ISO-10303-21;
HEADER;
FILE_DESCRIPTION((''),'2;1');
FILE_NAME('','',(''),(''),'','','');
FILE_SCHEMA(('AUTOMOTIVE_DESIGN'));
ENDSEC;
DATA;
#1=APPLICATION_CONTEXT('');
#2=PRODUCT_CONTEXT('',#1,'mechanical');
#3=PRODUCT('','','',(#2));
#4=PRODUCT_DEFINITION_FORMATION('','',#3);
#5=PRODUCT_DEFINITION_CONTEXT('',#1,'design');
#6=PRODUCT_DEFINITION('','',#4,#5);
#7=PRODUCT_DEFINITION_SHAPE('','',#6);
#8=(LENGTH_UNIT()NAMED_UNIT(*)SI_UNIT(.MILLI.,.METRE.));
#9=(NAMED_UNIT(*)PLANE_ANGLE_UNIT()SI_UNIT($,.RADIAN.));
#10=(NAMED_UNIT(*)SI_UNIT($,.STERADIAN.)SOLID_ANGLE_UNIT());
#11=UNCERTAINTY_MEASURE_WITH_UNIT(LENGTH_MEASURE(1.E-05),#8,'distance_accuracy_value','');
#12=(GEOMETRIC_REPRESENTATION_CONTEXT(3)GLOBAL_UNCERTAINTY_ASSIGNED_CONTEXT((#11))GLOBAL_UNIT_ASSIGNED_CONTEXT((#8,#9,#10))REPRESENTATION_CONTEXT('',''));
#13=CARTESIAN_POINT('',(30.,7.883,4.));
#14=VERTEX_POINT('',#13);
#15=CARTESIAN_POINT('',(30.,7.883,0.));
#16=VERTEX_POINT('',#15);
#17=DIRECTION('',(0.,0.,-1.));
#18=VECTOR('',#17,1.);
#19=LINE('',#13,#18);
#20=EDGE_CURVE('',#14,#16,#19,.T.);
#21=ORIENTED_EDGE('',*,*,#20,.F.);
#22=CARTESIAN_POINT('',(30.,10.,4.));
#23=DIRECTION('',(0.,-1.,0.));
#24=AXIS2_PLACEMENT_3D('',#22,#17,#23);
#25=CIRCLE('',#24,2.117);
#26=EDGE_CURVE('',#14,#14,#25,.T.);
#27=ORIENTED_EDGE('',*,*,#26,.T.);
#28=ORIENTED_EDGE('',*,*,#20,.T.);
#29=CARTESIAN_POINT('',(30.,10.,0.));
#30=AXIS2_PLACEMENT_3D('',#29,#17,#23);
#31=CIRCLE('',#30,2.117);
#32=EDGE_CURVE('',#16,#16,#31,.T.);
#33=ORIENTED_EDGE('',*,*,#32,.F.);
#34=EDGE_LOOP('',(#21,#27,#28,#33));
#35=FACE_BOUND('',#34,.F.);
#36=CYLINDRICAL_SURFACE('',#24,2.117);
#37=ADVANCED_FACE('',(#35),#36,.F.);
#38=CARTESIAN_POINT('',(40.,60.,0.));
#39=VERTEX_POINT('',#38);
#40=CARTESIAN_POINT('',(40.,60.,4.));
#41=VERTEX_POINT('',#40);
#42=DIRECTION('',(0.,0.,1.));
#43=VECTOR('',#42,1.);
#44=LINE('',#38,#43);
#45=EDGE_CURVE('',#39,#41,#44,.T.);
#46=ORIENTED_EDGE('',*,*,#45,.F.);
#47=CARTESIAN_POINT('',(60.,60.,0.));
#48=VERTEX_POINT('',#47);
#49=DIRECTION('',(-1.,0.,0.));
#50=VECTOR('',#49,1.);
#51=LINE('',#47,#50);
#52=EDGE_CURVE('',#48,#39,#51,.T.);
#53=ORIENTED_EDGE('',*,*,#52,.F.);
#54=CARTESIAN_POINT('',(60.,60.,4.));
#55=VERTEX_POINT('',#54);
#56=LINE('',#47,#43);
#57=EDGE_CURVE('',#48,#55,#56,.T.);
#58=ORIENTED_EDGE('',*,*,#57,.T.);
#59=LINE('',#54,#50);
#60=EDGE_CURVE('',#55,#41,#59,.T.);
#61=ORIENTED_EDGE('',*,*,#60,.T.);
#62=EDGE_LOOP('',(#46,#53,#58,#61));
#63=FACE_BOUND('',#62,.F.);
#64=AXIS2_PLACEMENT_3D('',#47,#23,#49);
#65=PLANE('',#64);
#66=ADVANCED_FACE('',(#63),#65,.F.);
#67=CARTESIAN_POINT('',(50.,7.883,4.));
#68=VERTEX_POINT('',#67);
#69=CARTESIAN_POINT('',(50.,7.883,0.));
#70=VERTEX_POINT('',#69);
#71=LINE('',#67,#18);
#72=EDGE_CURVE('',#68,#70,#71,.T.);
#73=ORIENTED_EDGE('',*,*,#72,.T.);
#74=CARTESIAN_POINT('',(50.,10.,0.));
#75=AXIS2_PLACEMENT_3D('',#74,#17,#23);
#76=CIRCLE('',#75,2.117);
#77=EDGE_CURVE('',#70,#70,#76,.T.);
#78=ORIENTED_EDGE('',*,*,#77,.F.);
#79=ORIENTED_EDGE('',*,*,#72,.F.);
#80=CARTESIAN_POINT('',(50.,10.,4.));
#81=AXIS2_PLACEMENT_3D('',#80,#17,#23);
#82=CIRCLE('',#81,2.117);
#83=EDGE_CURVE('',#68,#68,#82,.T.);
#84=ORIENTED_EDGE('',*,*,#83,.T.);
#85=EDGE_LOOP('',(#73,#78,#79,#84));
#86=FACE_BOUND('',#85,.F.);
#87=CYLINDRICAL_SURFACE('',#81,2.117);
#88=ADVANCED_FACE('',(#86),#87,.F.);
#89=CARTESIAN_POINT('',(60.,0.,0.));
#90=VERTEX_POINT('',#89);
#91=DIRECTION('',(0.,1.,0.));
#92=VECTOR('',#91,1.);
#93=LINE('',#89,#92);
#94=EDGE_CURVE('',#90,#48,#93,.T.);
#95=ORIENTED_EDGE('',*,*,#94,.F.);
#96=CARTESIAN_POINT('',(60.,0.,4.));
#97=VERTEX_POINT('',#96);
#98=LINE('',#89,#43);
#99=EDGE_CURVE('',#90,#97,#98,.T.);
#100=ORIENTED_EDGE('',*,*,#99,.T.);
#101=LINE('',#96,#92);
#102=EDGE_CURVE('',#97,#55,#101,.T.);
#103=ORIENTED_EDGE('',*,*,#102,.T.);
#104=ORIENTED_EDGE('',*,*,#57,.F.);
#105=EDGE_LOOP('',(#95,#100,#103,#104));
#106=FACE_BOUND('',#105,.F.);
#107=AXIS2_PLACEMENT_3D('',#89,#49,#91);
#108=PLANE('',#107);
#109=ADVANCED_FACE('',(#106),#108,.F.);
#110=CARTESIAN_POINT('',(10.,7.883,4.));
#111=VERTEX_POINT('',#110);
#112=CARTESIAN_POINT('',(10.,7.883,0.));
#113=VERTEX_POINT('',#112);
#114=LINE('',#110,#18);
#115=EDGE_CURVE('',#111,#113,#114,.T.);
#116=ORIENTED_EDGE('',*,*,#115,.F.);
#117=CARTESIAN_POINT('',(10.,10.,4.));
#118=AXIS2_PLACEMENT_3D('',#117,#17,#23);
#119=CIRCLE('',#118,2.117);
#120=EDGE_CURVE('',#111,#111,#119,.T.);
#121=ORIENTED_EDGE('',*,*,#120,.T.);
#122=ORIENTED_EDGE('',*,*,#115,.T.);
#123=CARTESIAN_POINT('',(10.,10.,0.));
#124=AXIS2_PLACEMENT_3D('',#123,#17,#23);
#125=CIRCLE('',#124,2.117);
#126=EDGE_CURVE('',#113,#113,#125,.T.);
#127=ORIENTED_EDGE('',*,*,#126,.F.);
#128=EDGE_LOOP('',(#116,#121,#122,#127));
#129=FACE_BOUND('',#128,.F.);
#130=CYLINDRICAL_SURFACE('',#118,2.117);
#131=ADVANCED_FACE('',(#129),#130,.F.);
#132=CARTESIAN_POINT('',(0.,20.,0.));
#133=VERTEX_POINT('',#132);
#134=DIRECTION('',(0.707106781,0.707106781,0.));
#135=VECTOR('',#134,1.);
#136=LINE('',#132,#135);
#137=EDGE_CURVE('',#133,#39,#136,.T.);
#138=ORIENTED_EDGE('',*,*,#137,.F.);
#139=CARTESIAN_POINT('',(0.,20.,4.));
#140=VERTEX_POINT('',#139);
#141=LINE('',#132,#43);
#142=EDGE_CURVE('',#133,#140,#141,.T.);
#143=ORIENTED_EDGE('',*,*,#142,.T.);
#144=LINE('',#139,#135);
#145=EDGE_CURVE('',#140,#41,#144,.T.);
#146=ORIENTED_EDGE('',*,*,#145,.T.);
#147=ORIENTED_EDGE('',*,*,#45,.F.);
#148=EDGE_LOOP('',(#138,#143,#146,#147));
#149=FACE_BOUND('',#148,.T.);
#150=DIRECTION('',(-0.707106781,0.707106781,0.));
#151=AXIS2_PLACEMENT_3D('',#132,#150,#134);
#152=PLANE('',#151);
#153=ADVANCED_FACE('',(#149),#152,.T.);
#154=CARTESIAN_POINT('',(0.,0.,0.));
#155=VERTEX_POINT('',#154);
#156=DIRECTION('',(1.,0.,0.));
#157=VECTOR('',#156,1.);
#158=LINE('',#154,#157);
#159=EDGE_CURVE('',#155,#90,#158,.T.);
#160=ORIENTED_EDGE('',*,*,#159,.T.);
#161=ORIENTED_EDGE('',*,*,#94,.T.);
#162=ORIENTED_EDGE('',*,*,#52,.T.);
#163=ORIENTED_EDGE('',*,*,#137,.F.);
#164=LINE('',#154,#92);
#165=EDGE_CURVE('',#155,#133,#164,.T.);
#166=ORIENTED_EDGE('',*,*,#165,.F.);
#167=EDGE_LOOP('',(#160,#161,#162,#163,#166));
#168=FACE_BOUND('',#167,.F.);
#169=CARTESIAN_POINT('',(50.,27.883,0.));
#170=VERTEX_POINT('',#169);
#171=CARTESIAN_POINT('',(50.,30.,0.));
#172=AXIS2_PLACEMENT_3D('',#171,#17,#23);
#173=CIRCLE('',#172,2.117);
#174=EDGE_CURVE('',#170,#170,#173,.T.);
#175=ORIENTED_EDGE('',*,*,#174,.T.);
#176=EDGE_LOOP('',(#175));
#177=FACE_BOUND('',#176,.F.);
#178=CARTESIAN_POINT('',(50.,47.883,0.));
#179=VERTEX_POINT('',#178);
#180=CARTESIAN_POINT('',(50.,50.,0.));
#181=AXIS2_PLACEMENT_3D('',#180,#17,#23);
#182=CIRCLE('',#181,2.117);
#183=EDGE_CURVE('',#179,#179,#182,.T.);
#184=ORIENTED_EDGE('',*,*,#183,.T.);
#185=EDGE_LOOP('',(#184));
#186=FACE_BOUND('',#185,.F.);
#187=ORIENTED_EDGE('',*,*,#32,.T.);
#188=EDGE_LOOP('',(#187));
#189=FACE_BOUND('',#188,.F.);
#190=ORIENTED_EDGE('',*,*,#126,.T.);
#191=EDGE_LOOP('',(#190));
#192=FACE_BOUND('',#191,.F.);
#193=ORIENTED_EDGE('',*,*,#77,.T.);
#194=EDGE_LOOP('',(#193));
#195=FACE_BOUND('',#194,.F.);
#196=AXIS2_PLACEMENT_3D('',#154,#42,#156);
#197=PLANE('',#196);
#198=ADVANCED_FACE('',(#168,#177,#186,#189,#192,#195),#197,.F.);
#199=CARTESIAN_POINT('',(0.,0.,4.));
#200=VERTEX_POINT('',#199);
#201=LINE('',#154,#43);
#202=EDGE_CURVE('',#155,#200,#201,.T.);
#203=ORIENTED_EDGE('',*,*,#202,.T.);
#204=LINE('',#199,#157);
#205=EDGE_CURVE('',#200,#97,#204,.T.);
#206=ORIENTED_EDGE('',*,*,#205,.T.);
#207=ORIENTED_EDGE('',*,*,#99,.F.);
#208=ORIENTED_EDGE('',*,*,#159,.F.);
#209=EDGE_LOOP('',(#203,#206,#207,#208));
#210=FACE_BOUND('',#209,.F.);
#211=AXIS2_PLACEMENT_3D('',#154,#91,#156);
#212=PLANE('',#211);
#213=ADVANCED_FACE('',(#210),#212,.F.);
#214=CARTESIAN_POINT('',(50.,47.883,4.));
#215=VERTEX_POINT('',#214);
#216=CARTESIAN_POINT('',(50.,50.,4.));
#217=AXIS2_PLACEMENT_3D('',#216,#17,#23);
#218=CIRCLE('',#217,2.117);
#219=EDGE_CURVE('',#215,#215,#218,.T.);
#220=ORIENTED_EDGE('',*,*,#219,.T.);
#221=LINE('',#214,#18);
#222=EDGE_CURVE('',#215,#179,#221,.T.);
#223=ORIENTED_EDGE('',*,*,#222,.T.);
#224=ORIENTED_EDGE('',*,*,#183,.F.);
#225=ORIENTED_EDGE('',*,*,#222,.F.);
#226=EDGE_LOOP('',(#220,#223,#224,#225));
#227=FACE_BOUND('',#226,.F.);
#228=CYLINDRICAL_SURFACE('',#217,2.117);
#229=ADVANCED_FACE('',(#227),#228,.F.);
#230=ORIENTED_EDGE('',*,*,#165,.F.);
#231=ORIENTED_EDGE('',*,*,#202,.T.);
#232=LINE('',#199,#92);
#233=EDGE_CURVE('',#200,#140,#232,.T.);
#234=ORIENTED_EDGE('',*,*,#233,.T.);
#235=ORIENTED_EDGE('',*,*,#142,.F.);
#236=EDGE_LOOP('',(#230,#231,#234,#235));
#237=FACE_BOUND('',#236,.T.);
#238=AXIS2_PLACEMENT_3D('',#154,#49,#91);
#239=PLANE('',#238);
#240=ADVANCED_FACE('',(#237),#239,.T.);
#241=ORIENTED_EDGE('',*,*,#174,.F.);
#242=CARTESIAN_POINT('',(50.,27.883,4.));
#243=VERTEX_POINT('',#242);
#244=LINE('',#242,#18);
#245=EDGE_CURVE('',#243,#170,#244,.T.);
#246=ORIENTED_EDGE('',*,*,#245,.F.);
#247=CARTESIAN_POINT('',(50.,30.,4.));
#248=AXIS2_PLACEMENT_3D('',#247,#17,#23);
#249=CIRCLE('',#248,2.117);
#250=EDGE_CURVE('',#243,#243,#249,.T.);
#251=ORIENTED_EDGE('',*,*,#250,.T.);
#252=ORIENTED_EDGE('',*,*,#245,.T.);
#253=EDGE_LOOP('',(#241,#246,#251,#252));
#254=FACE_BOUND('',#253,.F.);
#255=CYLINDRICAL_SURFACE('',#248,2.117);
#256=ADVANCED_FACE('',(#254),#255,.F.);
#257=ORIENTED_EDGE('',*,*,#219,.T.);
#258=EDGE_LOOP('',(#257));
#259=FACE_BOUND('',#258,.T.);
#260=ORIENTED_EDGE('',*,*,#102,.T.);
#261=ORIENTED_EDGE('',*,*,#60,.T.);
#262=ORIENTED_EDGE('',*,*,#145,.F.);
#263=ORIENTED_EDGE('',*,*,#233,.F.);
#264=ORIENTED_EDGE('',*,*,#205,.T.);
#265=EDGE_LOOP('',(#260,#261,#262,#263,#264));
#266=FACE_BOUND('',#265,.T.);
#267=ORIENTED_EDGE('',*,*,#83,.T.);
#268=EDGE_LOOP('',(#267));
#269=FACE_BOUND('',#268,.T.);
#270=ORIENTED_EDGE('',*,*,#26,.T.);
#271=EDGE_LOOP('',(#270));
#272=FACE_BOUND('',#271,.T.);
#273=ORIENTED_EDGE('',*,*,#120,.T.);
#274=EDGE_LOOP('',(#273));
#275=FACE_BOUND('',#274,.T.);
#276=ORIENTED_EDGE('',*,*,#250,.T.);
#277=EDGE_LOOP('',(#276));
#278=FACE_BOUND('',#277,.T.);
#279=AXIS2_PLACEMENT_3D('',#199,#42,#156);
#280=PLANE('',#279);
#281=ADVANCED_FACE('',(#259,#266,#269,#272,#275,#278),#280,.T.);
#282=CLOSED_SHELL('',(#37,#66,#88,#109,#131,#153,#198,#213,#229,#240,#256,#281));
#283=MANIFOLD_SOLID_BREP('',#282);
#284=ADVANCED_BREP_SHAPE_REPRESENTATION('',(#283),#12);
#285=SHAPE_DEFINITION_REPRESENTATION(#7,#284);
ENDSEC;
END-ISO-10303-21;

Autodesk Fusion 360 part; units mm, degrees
sketch "Sketch1" plane through (0, 0, 0) normal (0, 0, 1) x (1, 0, 0)
  line L0 (0, 0) -> (60, 0)
  line L1 (60, 0) -> (60, 60)
  line L2 (60, 60) -> (40, 60)
  line L3 (0, 0) -> (0, 20)
  line L4 (0, 20) -> (40, 60)
  dimension "d1" = 60
  dimension "d2" = 60
  dimension "d3" = 20
  dimension "d4" = 20
extrude "Extrude1" add sketch "Sketch1" along normal blind 4
hole "Hole2" at (10, 10, 4) direction (0, 0, -1) diameter 4.234 depth 34 tip angle 180
hole "Hole3" at (50, 10, 4) direction (0, 0, -1) diameter 4.234 depth 34 tip angle 180
hole "Hole4" at (50, 50, 4) direction (0, 0, -1) diameter 4.234 depth 34 tip angle 180
hole "Hole5" at (50, 30, 4) direction (0, 0, -1) diameter 4.234 depth 34 tip angle 180
hole "Hole6" at (30, 10, 4) direction (0, 0, -1) diameter 4.234 depth 34 tip angle 180
